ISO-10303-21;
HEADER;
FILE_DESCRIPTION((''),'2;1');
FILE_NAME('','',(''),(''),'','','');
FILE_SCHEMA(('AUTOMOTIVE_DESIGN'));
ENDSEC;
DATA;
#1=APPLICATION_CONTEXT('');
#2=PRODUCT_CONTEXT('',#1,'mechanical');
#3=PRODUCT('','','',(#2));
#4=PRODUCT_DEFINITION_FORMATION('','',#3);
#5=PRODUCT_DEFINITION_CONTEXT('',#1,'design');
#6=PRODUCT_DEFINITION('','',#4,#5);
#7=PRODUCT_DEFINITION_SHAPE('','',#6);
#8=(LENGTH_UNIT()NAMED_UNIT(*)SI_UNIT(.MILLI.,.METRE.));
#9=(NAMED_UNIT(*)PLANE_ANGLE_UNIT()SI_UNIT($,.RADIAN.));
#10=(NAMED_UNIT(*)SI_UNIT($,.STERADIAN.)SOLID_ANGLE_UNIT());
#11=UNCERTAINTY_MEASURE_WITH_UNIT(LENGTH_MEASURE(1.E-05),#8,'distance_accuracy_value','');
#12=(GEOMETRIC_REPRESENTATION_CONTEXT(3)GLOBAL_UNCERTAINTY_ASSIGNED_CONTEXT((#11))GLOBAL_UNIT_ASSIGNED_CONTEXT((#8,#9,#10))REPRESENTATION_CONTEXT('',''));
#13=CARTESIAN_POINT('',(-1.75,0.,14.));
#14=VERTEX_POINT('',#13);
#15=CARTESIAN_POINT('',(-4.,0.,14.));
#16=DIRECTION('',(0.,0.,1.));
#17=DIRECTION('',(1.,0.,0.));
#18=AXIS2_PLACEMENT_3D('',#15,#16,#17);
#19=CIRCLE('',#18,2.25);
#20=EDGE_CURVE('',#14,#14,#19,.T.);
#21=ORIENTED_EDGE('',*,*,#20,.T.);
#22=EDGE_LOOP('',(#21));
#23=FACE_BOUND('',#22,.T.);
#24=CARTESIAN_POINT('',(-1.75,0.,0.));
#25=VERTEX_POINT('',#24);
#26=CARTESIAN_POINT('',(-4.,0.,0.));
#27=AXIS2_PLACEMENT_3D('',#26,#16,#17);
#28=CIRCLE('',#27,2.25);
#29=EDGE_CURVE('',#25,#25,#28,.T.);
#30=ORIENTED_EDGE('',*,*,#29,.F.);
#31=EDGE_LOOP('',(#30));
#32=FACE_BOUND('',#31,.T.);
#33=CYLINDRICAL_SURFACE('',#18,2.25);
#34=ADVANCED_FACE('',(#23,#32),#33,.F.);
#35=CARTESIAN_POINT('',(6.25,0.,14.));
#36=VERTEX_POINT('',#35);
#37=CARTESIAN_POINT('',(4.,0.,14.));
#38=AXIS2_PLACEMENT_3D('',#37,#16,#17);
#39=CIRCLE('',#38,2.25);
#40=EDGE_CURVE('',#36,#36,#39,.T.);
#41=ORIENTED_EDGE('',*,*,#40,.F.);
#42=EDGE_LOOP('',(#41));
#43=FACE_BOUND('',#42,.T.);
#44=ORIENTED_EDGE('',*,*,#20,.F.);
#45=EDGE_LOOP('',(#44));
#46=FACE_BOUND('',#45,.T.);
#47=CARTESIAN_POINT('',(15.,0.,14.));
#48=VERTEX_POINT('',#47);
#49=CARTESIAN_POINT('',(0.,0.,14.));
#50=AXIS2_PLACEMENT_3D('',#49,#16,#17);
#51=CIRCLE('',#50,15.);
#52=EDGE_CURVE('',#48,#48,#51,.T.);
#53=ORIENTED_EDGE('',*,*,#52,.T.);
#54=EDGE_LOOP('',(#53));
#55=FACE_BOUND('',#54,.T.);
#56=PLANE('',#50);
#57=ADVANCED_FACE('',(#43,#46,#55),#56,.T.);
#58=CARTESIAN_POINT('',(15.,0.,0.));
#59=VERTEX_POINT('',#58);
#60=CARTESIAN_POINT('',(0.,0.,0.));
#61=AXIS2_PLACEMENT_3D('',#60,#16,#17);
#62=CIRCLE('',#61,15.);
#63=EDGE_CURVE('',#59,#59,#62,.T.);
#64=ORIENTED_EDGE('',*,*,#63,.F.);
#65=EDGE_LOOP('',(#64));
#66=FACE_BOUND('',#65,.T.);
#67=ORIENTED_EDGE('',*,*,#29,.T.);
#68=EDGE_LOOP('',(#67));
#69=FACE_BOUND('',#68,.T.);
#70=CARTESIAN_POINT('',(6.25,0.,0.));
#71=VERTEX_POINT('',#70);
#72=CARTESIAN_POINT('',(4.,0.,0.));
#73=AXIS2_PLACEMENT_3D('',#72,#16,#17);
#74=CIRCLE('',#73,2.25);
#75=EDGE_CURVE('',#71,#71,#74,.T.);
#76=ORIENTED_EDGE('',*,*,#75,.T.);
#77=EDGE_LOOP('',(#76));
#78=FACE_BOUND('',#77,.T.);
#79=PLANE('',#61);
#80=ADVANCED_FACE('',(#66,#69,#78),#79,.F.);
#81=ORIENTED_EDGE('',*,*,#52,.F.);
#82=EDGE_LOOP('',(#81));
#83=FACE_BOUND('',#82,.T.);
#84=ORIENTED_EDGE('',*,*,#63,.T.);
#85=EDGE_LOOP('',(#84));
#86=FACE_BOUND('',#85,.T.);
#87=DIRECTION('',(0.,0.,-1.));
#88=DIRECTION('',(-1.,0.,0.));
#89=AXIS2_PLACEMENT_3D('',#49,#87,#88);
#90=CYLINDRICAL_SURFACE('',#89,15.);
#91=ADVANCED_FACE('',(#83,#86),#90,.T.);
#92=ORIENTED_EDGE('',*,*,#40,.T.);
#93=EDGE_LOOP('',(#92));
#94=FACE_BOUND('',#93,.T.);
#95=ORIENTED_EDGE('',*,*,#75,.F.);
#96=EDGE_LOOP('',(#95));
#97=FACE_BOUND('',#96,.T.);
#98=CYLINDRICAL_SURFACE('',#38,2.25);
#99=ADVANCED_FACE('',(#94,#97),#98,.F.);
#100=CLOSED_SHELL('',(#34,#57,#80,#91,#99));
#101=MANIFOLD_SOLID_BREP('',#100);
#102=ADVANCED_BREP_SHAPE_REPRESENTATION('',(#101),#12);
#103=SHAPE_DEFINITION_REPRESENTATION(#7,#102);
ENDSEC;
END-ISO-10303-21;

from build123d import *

# Parameters (mm, degrees)
SKETCH_1_R         = 15
EXTRUDE_1_DEPTH    = 14
HOLE_WIZARD_M4_1_D = 4.5


with BuildPart() as part:
    # ｽｹｯﾁ1 → ﾎﾞｽ - 押し出し1 (new body)
    with BuildSketch(Plane.XY):
        Circle(SKETCH_1_R)
    extrude(amount=EXTRUDE_1_DEPTH)

    # M4 すきま穴1 (through all)
    with Locations(Plane.XY.offset(14)):
        with Locations((-4, 0), (4, 0)):
            Hole(HOLE_WIZARD_M4_1_D / 2)


solid = part.part
